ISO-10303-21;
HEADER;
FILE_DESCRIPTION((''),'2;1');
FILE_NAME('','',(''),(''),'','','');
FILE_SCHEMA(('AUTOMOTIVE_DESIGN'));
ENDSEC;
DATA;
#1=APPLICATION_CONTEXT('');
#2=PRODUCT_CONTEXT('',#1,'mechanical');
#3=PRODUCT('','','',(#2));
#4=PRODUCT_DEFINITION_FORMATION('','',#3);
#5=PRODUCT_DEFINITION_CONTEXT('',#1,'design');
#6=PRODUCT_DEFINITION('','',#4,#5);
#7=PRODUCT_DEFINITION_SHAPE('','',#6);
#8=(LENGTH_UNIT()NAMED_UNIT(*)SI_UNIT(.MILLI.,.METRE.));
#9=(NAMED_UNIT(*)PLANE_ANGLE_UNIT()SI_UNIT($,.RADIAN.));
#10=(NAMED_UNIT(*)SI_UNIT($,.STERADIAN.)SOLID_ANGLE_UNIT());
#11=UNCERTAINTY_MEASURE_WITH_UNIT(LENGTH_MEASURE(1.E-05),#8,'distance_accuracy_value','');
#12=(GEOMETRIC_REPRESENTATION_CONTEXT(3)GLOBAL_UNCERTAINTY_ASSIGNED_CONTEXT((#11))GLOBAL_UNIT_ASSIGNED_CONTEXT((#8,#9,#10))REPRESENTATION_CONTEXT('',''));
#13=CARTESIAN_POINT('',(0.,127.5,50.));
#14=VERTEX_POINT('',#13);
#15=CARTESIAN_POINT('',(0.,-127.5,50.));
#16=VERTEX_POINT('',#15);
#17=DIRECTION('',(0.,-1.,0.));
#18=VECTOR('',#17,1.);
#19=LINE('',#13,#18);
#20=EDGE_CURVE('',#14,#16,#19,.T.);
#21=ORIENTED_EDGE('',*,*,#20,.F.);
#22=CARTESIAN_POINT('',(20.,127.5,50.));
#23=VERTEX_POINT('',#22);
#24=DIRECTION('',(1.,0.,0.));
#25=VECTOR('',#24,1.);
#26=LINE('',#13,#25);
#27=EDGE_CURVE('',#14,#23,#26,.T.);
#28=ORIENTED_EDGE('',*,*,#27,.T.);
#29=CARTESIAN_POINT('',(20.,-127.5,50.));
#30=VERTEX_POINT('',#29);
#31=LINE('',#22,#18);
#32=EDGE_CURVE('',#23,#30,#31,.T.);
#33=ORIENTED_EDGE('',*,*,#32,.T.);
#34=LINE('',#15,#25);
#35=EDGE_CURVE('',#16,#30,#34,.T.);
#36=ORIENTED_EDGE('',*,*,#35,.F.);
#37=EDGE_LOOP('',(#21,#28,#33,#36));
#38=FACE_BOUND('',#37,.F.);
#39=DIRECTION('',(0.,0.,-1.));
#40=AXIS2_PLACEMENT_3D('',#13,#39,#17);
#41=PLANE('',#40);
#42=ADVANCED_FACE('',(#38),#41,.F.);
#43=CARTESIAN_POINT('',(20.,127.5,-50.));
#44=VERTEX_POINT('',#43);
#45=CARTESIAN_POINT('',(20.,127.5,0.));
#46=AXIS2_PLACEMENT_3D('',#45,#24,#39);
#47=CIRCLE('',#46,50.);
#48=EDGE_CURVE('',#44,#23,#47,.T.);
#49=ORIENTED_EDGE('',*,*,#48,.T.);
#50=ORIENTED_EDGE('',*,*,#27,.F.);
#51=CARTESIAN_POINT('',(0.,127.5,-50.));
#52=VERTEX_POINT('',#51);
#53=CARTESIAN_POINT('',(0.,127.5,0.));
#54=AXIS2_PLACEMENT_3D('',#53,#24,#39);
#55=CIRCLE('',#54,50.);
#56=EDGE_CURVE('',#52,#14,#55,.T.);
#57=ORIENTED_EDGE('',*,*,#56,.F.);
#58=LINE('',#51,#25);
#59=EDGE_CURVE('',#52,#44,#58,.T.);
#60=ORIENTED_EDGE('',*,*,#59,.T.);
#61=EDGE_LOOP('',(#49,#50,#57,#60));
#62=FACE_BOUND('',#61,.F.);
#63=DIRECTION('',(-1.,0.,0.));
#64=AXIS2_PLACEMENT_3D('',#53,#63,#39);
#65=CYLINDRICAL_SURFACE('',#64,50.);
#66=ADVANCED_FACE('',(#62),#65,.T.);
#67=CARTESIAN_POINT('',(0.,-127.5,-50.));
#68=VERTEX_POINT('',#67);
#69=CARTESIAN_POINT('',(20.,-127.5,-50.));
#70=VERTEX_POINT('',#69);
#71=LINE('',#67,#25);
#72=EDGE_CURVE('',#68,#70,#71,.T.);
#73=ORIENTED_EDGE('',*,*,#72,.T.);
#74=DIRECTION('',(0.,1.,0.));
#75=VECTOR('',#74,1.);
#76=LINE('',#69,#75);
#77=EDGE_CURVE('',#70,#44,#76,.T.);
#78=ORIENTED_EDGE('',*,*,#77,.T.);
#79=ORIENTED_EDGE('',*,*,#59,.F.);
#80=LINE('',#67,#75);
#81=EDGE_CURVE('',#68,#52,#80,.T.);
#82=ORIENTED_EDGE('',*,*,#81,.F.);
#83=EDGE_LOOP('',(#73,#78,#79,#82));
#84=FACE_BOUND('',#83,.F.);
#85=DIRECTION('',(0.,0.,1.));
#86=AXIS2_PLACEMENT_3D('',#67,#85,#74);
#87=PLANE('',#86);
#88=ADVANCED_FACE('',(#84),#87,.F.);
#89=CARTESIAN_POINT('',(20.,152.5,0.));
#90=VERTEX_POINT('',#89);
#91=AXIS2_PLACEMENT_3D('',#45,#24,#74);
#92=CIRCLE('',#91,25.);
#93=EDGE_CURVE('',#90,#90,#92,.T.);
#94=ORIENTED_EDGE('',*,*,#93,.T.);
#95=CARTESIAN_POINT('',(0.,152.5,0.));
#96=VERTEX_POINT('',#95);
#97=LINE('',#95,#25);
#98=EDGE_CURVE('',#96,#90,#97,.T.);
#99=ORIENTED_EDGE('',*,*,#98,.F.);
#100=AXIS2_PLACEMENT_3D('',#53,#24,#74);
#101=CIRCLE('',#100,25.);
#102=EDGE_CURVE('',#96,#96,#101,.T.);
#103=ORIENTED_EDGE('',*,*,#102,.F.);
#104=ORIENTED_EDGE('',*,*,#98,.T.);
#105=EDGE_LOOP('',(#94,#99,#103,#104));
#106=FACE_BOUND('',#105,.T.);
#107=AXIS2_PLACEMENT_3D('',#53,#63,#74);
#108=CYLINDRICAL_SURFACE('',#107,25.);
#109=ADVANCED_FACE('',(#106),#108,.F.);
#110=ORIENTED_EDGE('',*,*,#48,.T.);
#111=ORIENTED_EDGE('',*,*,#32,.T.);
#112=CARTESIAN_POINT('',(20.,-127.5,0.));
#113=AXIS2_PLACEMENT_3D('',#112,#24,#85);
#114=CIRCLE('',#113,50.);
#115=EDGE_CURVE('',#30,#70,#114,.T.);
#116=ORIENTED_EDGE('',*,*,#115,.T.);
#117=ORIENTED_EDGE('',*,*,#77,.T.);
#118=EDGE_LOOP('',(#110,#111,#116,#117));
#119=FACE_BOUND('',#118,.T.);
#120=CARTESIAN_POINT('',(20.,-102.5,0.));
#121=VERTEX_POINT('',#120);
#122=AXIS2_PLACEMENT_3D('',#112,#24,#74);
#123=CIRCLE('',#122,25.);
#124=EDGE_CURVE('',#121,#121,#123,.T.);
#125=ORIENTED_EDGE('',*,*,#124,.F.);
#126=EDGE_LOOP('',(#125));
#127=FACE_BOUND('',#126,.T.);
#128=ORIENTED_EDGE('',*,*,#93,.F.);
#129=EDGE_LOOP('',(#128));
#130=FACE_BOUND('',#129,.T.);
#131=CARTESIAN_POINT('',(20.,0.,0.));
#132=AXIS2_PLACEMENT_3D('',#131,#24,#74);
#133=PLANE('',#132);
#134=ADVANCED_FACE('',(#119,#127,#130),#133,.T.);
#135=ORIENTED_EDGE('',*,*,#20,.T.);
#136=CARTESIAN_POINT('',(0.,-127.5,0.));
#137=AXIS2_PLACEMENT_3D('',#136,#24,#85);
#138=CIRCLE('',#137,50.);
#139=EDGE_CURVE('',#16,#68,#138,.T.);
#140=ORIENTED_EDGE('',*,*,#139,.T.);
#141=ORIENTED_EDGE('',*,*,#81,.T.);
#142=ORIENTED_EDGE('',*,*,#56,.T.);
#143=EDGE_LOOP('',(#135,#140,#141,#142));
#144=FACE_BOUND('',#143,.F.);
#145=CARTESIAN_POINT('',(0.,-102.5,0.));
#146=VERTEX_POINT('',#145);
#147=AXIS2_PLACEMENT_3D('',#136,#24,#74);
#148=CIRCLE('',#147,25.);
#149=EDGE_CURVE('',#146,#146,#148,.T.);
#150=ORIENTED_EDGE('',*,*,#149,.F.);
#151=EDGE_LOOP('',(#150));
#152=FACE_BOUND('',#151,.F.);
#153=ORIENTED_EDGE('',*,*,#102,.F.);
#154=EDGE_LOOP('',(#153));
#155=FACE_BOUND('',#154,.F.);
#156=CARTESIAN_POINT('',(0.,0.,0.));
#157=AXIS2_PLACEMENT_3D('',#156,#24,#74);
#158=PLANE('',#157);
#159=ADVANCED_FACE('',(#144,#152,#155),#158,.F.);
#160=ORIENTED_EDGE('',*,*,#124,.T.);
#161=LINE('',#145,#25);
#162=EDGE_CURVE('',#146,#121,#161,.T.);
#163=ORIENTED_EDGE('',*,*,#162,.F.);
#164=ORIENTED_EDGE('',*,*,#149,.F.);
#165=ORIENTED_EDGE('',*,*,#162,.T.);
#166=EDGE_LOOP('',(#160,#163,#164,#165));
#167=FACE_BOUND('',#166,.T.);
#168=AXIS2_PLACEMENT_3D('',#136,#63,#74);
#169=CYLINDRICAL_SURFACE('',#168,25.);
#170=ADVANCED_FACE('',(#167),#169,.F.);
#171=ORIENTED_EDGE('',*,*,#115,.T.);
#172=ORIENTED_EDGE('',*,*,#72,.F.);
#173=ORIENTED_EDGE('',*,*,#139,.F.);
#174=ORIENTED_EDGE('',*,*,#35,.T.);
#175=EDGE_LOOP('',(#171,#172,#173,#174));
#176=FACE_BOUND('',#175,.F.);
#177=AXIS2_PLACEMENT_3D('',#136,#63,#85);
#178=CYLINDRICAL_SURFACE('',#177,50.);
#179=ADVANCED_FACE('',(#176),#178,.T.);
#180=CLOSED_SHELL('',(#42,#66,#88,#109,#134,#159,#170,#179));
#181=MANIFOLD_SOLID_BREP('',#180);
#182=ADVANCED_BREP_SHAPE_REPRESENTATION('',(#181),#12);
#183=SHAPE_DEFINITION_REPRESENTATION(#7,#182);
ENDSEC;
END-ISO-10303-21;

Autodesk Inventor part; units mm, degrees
ref_plane "YZ Plane" through (0, 0, 0) normal (1, 0, 0) x (0, 1, 0)
ref_plane "XZ Plane" through (0, 0, 0) normal (0, 1, 0) x (-1, 0, 0)
ref_plane "XY Plane" through (0, 0, 0) normal (0, 0, 1) x (1, 0, 0)
sketch "草圖1" plane through (0, 0, 0) normal (1, 0, 0) x (0, 1, 0)
  line L0 (-127.5, 0) -> (127.5, 0) construction
  line L1 (-127.5, -50) -> (127.5, -50)
  line L2 (127.5, 50) -> (-127.5, 50)
  arc A0 (-127.5, 50) -> (-127.5, -50) centre (-127.5, 0) ccw
  arc A1 (127.5, -50) -> (127.5, 50) centre (127.5, 0) ccw
  circle A2 centre (127.5, 0) radius 25
  circle A3 centre (-127.5, 0) radius 25
  point P0 (0, 0)
  dimension "d0" = 127.5
  dimension "d1" = 100
  dimension "d2" = 50
  dimension "d3" = 50
extrude "擠出1" add sketch "草圖1" along normal blind 20
properties part number "exercise3-20ipt"
